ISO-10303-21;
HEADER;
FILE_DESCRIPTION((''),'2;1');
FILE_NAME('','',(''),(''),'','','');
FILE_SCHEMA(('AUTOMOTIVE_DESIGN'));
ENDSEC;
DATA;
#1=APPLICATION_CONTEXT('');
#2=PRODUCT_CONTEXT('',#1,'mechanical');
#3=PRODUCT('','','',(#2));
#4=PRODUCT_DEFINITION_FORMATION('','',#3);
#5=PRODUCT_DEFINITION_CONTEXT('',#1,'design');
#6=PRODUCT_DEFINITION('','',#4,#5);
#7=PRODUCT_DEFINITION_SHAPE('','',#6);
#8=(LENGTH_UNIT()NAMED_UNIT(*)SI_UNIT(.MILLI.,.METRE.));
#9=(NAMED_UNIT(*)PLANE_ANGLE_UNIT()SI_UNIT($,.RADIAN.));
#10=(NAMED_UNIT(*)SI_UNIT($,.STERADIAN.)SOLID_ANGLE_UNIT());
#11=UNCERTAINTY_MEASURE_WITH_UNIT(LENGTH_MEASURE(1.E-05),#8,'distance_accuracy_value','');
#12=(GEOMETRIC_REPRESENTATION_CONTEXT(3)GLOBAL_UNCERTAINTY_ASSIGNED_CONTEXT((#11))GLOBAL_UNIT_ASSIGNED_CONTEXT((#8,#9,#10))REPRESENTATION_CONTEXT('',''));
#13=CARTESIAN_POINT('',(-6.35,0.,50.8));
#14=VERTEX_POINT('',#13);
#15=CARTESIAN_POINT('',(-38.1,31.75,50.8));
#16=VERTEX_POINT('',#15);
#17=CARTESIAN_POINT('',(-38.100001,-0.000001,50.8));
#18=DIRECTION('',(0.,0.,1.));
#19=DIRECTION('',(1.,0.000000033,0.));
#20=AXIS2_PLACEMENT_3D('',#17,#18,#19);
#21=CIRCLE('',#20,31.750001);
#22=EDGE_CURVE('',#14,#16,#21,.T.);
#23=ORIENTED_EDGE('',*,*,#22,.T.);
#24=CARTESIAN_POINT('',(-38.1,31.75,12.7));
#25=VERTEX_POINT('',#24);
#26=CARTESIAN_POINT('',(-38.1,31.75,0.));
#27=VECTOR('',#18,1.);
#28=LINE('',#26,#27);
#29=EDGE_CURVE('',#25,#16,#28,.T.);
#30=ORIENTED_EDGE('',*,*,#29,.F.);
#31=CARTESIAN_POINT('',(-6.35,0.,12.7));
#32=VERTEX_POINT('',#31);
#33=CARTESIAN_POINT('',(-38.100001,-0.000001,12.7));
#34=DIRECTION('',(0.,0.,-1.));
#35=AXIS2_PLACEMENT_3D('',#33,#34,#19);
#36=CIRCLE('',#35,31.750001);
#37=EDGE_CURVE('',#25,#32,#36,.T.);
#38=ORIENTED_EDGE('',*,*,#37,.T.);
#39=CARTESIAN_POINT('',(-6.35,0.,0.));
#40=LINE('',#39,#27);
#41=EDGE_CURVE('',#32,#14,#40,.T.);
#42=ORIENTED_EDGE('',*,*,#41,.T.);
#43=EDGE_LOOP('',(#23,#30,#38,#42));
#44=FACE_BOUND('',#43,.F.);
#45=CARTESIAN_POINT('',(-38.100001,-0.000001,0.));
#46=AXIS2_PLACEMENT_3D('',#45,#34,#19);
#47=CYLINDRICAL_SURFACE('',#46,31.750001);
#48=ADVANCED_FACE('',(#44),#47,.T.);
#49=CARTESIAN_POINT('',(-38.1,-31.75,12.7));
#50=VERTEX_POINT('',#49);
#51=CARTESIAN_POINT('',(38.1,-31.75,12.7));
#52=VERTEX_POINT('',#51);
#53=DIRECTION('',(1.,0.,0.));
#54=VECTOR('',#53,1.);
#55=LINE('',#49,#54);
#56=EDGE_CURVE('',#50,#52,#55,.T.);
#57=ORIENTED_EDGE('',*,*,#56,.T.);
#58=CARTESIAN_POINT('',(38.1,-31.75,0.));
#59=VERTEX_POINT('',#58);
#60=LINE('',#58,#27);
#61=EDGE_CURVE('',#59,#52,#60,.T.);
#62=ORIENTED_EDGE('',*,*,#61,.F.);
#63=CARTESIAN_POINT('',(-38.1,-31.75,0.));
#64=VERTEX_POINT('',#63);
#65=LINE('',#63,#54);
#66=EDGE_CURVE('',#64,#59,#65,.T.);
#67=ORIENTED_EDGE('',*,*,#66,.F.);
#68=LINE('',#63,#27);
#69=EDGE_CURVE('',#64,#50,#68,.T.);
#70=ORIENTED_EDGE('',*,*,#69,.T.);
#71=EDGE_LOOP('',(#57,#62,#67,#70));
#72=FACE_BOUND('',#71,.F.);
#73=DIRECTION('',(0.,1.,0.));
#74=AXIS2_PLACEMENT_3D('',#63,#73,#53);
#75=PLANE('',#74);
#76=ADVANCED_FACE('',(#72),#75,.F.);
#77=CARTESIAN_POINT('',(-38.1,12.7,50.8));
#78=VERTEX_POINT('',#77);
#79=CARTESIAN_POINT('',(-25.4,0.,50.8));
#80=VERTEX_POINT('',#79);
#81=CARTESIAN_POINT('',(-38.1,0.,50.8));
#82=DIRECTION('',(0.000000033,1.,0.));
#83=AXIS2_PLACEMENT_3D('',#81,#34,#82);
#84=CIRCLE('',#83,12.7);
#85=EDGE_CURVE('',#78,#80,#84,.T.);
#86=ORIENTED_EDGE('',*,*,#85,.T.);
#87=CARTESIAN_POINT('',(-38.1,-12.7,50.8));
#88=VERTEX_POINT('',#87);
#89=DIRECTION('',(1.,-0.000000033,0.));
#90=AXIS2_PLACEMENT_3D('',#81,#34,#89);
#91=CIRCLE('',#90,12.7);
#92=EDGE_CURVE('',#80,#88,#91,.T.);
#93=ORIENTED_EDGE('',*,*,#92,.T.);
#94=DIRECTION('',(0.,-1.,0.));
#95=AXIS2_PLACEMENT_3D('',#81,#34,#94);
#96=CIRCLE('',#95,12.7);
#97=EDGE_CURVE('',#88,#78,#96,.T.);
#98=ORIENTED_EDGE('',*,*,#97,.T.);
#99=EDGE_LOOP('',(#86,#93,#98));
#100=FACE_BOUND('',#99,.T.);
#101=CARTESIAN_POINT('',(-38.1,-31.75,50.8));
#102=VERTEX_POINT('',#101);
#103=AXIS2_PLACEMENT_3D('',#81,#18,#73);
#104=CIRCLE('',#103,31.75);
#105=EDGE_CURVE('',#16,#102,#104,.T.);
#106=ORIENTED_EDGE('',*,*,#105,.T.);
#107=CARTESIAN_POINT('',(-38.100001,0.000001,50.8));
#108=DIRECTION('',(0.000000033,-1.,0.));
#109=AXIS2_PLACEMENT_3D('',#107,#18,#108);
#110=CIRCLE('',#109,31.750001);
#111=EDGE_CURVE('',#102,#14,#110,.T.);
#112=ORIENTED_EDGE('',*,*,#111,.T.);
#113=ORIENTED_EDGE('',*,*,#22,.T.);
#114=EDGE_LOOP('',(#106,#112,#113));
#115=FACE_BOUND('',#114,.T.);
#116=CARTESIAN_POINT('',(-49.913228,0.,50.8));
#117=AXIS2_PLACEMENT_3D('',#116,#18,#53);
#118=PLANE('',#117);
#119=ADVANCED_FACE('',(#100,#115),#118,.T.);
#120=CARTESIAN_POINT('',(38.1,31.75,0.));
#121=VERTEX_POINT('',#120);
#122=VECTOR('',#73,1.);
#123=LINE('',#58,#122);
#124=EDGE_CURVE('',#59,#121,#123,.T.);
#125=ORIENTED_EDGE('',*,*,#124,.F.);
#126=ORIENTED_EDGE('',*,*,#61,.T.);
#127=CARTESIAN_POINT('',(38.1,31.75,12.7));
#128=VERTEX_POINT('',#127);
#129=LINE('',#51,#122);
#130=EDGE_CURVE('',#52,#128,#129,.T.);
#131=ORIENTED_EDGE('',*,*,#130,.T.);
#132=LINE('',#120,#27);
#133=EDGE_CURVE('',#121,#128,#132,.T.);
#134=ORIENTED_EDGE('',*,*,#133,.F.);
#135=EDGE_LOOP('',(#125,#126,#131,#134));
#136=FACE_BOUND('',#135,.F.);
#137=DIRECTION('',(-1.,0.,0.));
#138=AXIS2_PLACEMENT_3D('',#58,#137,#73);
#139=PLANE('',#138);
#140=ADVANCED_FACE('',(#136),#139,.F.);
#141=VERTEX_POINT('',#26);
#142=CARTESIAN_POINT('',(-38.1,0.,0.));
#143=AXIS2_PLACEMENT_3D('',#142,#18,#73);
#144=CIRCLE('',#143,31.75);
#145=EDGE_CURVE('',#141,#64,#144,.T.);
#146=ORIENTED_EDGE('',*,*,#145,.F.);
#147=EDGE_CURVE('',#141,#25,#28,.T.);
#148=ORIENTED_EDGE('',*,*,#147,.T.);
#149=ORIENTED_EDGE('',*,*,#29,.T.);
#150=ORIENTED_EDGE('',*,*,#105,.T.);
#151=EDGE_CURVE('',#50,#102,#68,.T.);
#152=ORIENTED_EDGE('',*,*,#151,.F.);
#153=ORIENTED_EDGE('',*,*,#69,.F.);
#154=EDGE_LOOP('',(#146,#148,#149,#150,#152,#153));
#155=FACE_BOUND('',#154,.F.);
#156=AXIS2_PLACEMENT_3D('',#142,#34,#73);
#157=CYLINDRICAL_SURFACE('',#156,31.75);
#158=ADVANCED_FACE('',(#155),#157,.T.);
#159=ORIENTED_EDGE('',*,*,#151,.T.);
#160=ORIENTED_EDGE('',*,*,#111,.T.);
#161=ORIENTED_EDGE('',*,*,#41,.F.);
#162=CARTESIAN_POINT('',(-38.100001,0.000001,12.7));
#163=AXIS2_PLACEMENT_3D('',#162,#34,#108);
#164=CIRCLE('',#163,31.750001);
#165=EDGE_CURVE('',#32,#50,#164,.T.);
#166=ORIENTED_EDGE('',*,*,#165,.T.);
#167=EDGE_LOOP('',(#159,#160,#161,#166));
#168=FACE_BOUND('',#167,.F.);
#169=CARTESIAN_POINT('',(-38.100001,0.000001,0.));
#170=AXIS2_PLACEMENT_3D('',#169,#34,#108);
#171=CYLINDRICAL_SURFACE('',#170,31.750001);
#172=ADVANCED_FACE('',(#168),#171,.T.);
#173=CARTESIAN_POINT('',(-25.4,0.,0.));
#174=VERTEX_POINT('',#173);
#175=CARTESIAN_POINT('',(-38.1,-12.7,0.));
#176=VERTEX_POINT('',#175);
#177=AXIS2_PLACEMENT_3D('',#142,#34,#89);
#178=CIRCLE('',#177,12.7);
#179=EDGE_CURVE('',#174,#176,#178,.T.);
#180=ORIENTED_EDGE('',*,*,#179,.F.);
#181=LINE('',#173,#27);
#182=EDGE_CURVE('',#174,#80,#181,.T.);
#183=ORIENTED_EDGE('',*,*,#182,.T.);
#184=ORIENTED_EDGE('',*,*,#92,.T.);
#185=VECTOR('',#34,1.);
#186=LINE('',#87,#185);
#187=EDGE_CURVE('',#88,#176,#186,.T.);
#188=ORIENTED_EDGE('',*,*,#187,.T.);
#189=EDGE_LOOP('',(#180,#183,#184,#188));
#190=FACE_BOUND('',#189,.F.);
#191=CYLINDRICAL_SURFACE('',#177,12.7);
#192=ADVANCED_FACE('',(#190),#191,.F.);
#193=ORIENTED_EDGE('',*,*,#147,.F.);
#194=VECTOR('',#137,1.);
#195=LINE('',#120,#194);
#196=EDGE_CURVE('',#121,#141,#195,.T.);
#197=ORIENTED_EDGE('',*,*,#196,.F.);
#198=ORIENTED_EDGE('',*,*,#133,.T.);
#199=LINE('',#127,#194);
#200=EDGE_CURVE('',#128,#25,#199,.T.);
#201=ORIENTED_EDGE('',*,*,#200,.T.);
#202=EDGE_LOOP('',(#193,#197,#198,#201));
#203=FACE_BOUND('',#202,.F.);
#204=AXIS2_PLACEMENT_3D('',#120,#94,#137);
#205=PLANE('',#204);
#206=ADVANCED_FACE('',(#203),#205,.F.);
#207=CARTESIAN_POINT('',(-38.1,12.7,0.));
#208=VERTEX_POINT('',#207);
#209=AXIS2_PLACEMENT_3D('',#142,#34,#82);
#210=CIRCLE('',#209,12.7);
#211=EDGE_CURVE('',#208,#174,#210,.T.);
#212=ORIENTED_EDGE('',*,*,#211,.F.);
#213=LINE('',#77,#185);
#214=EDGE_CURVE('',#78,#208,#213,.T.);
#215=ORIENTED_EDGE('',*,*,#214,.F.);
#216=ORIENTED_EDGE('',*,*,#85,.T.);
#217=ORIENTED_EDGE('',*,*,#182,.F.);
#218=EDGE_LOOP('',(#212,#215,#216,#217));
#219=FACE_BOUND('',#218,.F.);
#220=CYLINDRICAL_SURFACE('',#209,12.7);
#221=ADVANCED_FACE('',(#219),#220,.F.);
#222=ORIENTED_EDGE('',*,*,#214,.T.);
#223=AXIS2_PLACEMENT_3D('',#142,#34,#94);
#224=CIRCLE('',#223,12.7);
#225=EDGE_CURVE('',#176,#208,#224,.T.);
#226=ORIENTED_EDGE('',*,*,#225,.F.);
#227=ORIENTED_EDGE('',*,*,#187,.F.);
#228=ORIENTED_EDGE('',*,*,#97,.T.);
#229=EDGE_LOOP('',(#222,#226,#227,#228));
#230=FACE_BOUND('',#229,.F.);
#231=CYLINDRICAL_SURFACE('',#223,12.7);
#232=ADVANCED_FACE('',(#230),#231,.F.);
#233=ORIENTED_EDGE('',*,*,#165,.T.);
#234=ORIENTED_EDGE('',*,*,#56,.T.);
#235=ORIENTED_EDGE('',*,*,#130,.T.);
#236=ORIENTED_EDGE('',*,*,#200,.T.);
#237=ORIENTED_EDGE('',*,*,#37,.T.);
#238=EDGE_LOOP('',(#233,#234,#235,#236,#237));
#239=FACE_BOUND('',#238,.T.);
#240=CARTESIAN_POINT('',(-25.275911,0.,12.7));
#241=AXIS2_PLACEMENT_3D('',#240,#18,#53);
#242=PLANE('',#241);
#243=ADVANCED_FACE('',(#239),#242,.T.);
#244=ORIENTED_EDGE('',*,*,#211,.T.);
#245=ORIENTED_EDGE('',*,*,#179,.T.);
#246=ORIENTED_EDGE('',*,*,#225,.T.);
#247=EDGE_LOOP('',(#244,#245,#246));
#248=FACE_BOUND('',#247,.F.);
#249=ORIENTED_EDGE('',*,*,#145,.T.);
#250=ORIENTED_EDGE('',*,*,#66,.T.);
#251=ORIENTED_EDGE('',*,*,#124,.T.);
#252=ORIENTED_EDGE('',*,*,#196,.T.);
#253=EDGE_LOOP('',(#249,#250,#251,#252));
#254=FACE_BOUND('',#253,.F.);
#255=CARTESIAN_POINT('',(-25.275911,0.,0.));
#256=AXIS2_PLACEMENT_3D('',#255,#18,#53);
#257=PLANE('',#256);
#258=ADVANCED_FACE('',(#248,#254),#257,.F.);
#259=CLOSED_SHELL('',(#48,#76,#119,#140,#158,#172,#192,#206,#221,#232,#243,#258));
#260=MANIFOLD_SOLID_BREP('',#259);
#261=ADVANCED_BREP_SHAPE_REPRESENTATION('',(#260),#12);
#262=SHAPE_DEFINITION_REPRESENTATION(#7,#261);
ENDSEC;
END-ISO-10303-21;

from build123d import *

# Parameters (mm, degrees)
F1_DEPTH = 12.7
F2_DEPTH = 50.8


with BuildPart() as f1:
    # F0 (on Top) → F1 (new body)
    with BuildSketch(Plane.XY):
        with BuildLine():
            Line((-38.1, -12.7), (-38.1, -31.75))
            ThreePointArc((-38.1, -31.75), (-15.64936, -22.45064), (-6.35, 0))
            ThreePointArc((-6.35, 0), (-15.64936, 22.45064), (-38.1, 31.75))
            Line((-38.1, 31.75), (-38.1, 12.7))
            ThreePointArc((-38.1, 12.7), (-29.119744, 8.980256), (-25.4, 0))
            ThreePointArc((-25.4, 0), (-29.119744, -8.980256), (-38.1, -12.7))
        make_face()
        with BuildLine():
            ThreePointArc((-38.1, 31.75), (-69.85, 0), (-38.1, -31.75))
            Line((-38.1, -31.75), (-38.1, -12.7))
            ThreePointArc((-38.1, -12.7), (-50.8, 0), (-38.1, 12.7))
            Line((-38.1, 12.7), (-38.1, 31.75))
        make_face()
        with BuildLine():
            Line((-38.1, -31.75), (38.1, -31.75))
            Line((38.1, -31.75), (38.1, 31.75))
            Line((38.1, 31.75), (-38.1, 31.75))
            ThreePointArc((-38.1, 31.75), (-15.64936, 22.45064), (-6.35, 0))
            ThreePointArc((-6.35, 0), (-15.64936, -22.45064), (-38.1, -31.75))
        make_face()
    extrude(amount=F1_DEPTH)

    # F0 (on Top) → F2 (join)
    with BuildSketch(Plane.XY):
        with BuildLine():
            ThreePointArc((-38.1, 31.75), (-69.85, 0), (-38.1, -31.75))
            Line((-38.1, -31.75), (-38.1, -12.7))
            ThreePointArc((-38.1, -12.7), (-50.8, 0), (-38.1, 12.7))
            Line((-38.1, 12.7), (-38.1, 31.75))
        make_face()
        with BuildLine():
            Line((-38.1, -12.7), (-38.1, -31.75))
            ThreePointArc((-38.1, -31.75), (-15.64936, -22.45064), (-6.35, 0))
            ThreePointArc((-6.35, 0), (-15.64936, 22.45064), (-38.1, 31.75))
            Line((-38.1, 31.75), (-38.1, 12.7))
            ThreePointArc((-38.1, 12.7), (-29.119744, 8.980256), (-25.4, 0))
            ThreePointArc((-25.4, 0), (-29.119744, -8.980256), (-38.1, -12.7))
        make_face()
    extrude(amount=F2_DEPTH)


solid = f1.part
